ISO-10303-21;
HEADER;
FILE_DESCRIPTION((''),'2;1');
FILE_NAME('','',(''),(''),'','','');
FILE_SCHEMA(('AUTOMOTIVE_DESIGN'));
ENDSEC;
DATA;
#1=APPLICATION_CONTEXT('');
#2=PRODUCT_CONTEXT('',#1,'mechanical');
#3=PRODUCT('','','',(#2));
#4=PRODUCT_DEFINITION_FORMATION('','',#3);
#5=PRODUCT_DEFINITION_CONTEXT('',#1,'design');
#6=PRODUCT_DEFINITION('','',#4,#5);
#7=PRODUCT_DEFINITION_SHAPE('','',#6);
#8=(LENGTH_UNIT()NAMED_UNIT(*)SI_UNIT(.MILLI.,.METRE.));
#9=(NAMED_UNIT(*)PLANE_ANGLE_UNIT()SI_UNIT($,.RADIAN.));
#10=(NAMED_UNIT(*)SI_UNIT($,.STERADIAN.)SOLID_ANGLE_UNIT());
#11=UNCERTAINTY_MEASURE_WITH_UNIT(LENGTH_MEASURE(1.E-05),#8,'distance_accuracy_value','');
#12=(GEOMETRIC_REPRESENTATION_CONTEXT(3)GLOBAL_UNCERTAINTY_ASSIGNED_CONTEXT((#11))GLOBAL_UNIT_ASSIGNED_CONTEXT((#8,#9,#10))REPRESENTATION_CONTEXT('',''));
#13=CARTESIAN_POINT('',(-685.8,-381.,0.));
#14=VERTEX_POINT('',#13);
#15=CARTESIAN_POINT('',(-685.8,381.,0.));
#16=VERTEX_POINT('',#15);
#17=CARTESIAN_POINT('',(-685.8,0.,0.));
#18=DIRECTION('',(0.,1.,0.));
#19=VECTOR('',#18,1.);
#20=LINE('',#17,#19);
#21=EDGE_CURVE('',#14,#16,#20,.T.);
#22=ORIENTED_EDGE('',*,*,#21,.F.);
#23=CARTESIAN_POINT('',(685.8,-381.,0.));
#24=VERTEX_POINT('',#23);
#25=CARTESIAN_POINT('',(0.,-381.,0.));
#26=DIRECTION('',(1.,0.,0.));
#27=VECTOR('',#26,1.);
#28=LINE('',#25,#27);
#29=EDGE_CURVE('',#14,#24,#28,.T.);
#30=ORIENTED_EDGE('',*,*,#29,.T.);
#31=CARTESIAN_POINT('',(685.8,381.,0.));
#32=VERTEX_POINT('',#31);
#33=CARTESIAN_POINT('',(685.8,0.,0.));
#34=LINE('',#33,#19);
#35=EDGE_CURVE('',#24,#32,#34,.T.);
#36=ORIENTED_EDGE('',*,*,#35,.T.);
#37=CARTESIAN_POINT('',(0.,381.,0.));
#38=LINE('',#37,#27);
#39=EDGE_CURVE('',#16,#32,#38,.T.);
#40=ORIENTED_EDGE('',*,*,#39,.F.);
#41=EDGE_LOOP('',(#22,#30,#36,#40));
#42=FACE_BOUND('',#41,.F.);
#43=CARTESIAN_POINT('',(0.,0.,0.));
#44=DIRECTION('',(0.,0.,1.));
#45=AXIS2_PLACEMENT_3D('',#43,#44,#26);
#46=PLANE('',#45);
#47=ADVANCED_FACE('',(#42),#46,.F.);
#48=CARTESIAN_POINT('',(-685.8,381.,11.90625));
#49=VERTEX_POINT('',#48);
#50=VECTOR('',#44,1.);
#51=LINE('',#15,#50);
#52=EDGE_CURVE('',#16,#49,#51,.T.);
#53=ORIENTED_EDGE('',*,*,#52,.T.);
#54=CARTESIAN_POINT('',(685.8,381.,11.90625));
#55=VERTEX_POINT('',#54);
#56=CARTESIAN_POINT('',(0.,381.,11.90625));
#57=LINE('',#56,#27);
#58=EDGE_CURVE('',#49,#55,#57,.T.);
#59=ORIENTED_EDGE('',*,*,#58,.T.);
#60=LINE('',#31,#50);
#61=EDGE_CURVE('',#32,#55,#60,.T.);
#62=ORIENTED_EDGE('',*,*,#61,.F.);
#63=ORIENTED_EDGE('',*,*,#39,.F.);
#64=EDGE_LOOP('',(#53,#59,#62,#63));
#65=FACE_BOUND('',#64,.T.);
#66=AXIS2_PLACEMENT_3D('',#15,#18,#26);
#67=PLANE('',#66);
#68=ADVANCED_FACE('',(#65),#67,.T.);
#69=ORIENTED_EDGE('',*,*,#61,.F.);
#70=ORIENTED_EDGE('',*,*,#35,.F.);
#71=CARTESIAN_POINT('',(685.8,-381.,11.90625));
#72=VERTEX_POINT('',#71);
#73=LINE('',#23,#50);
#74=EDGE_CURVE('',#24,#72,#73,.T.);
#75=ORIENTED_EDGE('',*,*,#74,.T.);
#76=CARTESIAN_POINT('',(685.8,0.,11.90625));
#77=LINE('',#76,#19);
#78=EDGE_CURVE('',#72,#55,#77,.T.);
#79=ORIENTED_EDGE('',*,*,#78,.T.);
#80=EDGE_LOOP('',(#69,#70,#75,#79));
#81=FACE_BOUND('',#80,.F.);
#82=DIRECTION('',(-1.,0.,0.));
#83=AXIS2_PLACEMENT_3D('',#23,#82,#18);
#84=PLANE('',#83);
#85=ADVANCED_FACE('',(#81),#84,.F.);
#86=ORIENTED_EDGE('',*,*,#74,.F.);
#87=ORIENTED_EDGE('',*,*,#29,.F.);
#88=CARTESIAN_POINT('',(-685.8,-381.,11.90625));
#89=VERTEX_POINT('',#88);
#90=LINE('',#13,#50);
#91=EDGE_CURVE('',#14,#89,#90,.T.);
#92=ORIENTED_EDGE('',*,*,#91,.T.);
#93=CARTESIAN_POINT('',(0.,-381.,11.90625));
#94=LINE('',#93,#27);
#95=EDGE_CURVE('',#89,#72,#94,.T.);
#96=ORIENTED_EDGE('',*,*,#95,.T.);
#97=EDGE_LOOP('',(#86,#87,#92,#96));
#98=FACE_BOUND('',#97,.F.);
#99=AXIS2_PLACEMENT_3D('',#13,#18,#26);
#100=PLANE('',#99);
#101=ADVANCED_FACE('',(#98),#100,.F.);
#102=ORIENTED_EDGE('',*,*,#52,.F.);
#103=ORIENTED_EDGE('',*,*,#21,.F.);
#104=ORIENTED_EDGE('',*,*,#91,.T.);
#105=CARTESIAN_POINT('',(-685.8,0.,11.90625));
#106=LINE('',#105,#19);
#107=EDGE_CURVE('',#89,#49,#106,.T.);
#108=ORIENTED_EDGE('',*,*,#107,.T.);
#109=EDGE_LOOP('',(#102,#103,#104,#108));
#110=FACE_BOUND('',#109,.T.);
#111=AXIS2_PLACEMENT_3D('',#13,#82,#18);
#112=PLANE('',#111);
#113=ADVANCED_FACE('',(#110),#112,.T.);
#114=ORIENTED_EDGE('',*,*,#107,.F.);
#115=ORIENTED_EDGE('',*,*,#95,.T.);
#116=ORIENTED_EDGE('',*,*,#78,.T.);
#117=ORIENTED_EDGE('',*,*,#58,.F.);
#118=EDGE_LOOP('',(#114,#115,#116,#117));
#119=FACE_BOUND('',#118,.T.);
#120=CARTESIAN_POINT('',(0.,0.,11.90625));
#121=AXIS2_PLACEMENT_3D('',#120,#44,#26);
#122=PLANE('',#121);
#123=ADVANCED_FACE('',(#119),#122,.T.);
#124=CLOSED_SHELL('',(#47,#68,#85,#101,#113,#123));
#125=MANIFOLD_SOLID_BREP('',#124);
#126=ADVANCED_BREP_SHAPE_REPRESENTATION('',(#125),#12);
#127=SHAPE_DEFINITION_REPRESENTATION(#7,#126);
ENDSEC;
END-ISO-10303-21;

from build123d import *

# Parameters (mm, degrees)
SKETCH_W  = 1371.6
SKETCH_H  = 762
PAD_DEPTH = 11.90625


with BuildPart() as part:
    # Sketch → Pad (new body)
    with BuildSketch(Plane.XY):
        Rectangle(SKETCH_W, SKETCH_H)
    extrude(amount=PAD_DEPTH)


solid = part.part
